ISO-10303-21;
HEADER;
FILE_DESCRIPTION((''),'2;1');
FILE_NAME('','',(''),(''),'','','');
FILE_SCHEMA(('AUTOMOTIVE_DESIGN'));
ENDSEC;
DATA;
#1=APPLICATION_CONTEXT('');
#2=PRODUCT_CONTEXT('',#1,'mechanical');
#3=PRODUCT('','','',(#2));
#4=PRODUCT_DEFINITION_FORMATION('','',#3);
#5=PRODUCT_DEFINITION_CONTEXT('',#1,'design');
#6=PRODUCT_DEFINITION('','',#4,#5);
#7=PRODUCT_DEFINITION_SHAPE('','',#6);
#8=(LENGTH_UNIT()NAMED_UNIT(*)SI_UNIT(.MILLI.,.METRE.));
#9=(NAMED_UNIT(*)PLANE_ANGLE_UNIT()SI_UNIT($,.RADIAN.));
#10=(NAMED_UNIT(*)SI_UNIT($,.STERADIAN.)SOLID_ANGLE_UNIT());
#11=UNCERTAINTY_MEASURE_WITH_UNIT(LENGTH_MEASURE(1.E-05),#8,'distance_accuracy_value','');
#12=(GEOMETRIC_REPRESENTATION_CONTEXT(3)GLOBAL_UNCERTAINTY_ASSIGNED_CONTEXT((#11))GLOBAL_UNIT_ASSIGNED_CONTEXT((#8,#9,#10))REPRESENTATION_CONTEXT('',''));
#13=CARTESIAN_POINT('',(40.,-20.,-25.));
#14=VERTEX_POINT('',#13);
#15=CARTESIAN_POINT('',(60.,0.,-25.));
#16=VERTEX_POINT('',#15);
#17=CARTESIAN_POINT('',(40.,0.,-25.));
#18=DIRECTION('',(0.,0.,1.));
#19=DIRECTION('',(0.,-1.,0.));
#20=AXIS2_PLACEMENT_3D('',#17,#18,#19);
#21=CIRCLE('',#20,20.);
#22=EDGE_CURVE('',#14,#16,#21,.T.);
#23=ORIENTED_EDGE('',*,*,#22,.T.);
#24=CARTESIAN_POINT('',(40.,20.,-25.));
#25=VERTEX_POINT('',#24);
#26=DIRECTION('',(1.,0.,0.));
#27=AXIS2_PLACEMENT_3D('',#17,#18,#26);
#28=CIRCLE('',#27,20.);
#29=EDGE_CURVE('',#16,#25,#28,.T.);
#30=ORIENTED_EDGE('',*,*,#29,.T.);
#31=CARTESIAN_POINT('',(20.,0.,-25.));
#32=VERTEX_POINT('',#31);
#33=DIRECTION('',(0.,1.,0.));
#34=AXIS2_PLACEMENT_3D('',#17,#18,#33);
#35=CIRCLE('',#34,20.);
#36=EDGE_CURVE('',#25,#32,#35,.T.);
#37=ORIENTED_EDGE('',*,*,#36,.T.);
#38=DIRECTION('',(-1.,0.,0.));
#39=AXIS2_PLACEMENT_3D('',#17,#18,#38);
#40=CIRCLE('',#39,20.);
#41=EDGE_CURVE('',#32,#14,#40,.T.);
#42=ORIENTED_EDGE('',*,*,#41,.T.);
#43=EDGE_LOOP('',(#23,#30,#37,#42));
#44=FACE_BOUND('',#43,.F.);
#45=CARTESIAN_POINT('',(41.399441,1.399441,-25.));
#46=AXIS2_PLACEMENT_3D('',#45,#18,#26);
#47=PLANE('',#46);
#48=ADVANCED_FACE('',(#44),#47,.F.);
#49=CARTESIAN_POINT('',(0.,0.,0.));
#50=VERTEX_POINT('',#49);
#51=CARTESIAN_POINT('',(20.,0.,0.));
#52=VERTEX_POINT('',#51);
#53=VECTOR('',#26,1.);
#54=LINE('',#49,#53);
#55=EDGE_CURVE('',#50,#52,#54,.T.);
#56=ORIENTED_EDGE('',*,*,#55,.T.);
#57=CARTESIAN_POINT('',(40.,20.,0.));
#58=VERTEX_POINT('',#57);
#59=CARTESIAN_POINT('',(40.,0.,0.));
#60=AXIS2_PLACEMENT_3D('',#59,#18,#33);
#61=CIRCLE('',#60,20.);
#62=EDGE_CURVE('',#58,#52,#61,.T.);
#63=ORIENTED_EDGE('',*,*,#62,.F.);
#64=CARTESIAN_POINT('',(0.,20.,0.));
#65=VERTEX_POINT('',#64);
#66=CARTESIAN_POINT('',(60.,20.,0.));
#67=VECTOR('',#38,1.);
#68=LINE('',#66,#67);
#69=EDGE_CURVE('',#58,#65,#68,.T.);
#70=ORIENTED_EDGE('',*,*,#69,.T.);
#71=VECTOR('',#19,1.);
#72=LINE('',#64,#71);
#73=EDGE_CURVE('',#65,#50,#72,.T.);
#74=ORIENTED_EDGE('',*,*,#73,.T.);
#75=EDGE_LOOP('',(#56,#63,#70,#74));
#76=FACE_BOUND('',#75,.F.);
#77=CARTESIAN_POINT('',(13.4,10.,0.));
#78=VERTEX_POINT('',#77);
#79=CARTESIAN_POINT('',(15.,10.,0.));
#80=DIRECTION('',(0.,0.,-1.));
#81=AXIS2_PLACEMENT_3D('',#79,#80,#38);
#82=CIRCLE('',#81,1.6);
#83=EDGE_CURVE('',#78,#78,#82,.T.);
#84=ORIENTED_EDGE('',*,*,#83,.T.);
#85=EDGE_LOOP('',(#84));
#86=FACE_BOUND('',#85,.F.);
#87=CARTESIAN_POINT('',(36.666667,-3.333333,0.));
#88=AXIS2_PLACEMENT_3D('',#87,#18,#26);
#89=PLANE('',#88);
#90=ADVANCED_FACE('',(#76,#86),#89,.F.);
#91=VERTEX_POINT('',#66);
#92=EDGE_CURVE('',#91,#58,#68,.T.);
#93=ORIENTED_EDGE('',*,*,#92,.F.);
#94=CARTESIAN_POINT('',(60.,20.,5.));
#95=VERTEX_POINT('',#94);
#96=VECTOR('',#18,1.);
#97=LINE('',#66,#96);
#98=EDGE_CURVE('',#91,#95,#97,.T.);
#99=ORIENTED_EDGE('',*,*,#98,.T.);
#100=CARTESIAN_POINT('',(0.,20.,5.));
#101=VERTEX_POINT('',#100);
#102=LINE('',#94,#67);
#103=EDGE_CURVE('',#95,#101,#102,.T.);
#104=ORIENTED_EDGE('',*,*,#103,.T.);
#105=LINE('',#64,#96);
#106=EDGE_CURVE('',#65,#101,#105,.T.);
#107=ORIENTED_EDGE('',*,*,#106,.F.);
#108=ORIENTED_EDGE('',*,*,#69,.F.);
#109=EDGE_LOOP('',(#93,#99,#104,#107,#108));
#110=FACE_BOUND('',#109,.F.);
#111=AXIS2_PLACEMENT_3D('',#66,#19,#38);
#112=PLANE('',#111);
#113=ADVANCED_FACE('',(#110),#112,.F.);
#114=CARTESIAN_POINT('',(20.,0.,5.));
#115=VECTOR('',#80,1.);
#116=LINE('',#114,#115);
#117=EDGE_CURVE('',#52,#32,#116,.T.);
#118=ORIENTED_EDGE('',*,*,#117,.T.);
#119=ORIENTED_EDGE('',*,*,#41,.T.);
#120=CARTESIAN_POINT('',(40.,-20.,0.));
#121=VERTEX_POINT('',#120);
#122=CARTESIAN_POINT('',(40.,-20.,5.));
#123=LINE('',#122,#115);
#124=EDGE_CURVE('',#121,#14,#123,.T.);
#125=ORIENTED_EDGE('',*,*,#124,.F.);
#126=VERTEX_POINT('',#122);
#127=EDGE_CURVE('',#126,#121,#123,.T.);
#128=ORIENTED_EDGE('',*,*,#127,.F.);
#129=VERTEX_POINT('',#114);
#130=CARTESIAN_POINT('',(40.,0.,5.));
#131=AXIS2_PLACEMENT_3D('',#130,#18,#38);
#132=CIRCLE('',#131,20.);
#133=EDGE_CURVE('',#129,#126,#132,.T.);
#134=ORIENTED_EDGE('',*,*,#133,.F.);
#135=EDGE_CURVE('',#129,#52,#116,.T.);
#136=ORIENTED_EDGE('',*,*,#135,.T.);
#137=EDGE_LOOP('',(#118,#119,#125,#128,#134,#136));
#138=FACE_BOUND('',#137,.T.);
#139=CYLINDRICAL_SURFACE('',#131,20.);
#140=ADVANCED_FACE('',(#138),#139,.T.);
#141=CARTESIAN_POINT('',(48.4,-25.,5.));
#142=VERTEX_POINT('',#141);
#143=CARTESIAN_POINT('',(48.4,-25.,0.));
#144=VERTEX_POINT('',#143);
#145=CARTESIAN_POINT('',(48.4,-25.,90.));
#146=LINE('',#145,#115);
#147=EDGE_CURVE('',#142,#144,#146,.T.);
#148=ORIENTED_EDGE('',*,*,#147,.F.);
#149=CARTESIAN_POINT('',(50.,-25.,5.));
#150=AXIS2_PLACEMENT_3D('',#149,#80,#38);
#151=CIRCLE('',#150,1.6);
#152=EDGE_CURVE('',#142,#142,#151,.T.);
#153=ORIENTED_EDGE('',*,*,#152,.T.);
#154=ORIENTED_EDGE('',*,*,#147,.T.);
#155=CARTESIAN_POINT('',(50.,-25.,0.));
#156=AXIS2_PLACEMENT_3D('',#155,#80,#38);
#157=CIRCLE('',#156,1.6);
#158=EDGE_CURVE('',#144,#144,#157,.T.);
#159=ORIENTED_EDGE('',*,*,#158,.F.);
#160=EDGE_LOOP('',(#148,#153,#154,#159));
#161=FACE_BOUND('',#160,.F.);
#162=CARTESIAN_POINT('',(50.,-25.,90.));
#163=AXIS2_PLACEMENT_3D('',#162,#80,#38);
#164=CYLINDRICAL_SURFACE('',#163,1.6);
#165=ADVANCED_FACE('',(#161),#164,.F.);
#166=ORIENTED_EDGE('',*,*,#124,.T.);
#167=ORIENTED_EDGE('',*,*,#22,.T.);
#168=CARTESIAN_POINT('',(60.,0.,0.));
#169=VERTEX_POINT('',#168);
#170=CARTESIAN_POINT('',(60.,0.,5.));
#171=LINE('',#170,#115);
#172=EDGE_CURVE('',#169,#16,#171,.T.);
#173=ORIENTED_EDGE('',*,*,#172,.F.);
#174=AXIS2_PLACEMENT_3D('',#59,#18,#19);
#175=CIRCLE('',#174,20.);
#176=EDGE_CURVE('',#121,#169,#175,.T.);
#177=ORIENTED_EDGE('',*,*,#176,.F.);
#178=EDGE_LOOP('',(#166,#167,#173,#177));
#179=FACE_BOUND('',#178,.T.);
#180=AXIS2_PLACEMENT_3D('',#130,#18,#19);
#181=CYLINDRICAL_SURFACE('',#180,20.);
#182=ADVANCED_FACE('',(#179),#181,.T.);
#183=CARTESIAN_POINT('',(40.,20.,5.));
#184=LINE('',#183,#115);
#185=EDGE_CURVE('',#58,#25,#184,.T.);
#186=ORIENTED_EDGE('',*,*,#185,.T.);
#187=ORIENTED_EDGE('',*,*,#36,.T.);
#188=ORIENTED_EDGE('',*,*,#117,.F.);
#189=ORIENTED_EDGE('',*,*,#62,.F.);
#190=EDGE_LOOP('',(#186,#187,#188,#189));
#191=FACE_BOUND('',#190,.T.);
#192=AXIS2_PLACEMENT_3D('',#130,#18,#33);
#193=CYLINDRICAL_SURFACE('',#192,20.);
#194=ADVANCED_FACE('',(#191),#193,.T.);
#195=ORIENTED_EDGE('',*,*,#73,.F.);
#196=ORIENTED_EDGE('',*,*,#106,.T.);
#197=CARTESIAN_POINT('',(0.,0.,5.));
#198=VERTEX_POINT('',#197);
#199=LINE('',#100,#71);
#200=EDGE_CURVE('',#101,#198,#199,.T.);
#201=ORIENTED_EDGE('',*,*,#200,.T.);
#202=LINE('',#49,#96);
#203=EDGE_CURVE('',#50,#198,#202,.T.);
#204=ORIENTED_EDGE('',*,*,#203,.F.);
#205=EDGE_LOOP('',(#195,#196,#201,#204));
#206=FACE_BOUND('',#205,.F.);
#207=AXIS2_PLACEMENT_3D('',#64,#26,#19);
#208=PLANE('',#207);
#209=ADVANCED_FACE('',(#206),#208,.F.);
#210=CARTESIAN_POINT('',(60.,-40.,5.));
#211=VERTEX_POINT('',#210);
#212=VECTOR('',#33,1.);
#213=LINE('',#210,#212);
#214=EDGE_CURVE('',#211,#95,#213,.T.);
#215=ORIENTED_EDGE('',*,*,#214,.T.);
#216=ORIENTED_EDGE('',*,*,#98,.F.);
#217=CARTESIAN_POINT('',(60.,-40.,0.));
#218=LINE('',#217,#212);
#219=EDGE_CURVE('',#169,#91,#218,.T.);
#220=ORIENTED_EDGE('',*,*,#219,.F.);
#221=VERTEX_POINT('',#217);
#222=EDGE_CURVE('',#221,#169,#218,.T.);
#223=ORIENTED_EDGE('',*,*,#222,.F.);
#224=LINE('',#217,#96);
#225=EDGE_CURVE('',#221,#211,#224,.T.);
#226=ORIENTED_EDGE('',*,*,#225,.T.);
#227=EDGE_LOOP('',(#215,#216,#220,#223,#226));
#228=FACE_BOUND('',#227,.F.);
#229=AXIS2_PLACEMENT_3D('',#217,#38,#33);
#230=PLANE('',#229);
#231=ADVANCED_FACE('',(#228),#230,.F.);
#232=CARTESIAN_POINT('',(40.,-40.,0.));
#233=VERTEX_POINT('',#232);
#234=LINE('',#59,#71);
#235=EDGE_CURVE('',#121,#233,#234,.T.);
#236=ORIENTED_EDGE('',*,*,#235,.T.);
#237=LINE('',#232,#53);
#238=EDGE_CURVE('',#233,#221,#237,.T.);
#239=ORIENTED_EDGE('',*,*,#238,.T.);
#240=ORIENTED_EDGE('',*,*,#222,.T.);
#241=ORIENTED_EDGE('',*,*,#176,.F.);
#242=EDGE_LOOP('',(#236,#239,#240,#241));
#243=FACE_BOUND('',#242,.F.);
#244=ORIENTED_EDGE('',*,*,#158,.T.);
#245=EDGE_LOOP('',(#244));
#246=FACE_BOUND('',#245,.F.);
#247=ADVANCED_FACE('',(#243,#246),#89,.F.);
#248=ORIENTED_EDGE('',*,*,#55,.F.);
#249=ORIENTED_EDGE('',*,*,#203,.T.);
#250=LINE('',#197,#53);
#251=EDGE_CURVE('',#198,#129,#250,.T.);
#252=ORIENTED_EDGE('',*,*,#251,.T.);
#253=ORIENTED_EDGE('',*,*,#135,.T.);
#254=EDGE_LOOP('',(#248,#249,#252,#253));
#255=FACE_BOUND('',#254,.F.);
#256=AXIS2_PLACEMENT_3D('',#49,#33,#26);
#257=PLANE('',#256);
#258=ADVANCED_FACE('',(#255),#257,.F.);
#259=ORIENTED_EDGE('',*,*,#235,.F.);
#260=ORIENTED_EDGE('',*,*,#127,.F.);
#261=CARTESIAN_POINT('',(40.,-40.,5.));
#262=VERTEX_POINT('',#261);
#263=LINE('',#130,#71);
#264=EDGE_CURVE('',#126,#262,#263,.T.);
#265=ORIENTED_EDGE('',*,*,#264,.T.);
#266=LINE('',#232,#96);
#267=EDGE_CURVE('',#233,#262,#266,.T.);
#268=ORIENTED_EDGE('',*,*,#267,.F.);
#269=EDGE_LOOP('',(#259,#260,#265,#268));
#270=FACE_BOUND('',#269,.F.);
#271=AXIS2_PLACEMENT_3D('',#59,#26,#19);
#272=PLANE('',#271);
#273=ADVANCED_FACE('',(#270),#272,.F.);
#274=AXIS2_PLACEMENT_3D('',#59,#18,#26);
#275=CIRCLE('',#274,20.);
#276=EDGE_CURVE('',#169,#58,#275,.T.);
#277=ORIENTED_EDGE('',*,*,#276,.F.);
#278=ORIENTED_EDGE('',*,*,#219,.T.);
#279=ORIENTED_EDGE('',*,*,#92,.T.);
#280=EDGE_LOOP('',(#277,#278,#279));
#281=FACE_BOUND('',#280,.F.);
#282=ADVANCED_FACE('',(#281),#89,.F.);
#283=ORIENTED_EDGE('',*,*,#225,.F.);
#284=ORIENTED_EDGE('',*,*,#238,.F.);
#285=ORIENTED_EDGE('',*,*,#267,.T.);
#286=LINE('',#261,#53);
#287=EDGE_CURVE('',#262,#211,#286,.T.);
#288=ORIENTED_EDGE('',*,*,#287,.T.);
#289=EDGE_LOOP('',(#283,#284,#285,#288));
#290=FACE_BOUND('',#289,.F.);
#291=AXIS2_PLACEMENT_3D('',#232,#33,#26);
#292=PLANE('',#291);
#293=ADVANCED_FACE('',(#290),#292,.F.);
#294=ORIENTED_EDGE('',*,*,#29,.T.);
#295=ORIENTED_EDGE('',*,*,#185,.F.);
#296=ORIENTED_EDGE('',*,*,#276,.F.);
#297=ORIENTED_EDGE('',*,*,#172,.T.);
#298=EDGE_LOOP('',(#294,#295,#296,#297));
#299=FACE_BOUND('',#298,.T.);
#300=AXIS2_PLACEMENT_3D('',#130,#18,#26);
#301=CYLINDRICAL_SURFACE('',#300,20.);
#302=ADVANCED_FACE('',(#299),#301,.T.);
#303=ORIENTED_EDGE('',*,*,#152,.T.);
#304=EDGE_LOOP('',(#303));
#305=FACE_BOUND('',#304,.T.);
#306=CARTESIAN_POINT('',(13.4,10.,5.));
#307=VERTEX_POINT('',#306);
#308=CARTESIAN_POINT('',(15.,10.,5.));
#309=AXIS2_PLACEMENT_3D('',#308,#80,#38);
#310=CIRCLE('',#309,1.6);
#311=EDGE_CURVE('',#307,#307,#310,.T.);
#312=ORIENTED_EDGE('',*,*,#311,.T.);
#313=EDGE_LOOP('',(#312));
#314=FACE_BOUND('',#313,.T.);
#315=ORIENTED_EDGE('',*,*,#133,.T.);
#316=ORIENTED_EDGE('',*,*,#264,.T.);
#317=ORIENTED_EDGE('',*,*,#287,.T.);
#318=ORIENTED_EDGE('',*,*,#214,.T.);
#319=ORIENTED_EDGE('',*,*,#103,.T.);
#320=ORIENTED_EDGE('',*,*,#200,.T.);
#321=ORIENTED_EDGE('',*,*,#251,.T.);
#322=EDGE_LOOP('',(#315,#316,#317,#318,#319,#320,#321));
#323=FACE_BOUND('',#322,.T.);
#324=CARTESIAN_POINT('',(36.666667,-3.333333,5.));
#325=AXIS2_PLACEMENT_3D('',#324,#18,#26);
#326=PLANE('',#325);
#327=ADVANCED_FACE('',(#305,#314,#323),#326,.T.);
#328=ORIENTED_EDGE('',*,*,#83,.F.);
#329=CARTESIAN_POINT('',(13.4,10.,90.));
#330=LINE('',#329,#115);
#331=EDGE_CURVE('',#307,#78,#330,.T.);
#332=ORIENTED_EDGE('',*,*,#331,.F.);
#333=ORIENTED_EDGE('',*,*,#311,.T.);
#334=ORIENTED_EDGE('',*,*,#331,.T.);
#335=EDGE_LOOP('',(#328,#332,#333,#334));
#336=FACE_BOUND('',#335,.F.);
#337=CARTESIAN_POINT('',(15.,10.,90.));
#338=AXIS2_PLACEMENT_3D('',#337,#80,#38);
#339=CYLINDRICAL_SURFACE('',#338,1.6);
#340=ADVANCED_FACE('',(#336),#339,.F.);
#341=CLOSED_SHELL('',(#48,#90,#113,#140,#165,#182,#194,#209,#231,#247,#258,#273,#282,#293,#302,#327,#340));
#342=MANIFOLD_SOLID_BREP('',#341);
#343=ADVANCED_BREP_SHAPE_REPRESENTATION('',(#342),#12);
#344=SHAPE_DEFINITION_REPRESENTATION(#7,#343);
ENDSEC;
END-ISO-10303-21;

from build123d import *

# Parameters (mm, degrees)
F1_DEPTH = 5
F3_D     = 3.2
F5_DEPTH = 30


with BuildPart() as f1:
    # F0 (on Top) → F1 (new body)
    with BuildSketch(Plane.XY):
        Polygon((0, 20), (0, 0), (40, 0), (40, -40), (60, -40), (60, 20), align=None)
    extrude(amount=F1_DEPTH)

    # F3 (through all)
    with Locations(Plane.XY.offset(5)):
        with Locations((15, 10), (50, -25)):
            Hole(F3_D / 2)

    # F4 (on face) → F5 (join)
    with BuildSketch(Plane.XY.offset(5)):
        with BuildLine():
            ThreePointArc((40, -20), (54.1421356237, -14.1421356237), (60, 0))
            ThreePointArc((60, 0), (54.1421356237, 14.1421356237), (40, 20))
            ThreePointArc((40, 20), (25.8578643763, 14.1421356237), (20, 0))
            Line((20, 0), (40, 0))
            Line((40, 0), (40, -20))
        make_face()
        with BuildLine():
            ThreePointArc((20, 0), (25.8578643763, -14.1421356237), (40, -20))
            Line((40, -20), (40, 0))
            Line((40, 0), (20, 0))
        make_face()
    extrude(amount=-F5_DEPTH)


solid = f1.part
